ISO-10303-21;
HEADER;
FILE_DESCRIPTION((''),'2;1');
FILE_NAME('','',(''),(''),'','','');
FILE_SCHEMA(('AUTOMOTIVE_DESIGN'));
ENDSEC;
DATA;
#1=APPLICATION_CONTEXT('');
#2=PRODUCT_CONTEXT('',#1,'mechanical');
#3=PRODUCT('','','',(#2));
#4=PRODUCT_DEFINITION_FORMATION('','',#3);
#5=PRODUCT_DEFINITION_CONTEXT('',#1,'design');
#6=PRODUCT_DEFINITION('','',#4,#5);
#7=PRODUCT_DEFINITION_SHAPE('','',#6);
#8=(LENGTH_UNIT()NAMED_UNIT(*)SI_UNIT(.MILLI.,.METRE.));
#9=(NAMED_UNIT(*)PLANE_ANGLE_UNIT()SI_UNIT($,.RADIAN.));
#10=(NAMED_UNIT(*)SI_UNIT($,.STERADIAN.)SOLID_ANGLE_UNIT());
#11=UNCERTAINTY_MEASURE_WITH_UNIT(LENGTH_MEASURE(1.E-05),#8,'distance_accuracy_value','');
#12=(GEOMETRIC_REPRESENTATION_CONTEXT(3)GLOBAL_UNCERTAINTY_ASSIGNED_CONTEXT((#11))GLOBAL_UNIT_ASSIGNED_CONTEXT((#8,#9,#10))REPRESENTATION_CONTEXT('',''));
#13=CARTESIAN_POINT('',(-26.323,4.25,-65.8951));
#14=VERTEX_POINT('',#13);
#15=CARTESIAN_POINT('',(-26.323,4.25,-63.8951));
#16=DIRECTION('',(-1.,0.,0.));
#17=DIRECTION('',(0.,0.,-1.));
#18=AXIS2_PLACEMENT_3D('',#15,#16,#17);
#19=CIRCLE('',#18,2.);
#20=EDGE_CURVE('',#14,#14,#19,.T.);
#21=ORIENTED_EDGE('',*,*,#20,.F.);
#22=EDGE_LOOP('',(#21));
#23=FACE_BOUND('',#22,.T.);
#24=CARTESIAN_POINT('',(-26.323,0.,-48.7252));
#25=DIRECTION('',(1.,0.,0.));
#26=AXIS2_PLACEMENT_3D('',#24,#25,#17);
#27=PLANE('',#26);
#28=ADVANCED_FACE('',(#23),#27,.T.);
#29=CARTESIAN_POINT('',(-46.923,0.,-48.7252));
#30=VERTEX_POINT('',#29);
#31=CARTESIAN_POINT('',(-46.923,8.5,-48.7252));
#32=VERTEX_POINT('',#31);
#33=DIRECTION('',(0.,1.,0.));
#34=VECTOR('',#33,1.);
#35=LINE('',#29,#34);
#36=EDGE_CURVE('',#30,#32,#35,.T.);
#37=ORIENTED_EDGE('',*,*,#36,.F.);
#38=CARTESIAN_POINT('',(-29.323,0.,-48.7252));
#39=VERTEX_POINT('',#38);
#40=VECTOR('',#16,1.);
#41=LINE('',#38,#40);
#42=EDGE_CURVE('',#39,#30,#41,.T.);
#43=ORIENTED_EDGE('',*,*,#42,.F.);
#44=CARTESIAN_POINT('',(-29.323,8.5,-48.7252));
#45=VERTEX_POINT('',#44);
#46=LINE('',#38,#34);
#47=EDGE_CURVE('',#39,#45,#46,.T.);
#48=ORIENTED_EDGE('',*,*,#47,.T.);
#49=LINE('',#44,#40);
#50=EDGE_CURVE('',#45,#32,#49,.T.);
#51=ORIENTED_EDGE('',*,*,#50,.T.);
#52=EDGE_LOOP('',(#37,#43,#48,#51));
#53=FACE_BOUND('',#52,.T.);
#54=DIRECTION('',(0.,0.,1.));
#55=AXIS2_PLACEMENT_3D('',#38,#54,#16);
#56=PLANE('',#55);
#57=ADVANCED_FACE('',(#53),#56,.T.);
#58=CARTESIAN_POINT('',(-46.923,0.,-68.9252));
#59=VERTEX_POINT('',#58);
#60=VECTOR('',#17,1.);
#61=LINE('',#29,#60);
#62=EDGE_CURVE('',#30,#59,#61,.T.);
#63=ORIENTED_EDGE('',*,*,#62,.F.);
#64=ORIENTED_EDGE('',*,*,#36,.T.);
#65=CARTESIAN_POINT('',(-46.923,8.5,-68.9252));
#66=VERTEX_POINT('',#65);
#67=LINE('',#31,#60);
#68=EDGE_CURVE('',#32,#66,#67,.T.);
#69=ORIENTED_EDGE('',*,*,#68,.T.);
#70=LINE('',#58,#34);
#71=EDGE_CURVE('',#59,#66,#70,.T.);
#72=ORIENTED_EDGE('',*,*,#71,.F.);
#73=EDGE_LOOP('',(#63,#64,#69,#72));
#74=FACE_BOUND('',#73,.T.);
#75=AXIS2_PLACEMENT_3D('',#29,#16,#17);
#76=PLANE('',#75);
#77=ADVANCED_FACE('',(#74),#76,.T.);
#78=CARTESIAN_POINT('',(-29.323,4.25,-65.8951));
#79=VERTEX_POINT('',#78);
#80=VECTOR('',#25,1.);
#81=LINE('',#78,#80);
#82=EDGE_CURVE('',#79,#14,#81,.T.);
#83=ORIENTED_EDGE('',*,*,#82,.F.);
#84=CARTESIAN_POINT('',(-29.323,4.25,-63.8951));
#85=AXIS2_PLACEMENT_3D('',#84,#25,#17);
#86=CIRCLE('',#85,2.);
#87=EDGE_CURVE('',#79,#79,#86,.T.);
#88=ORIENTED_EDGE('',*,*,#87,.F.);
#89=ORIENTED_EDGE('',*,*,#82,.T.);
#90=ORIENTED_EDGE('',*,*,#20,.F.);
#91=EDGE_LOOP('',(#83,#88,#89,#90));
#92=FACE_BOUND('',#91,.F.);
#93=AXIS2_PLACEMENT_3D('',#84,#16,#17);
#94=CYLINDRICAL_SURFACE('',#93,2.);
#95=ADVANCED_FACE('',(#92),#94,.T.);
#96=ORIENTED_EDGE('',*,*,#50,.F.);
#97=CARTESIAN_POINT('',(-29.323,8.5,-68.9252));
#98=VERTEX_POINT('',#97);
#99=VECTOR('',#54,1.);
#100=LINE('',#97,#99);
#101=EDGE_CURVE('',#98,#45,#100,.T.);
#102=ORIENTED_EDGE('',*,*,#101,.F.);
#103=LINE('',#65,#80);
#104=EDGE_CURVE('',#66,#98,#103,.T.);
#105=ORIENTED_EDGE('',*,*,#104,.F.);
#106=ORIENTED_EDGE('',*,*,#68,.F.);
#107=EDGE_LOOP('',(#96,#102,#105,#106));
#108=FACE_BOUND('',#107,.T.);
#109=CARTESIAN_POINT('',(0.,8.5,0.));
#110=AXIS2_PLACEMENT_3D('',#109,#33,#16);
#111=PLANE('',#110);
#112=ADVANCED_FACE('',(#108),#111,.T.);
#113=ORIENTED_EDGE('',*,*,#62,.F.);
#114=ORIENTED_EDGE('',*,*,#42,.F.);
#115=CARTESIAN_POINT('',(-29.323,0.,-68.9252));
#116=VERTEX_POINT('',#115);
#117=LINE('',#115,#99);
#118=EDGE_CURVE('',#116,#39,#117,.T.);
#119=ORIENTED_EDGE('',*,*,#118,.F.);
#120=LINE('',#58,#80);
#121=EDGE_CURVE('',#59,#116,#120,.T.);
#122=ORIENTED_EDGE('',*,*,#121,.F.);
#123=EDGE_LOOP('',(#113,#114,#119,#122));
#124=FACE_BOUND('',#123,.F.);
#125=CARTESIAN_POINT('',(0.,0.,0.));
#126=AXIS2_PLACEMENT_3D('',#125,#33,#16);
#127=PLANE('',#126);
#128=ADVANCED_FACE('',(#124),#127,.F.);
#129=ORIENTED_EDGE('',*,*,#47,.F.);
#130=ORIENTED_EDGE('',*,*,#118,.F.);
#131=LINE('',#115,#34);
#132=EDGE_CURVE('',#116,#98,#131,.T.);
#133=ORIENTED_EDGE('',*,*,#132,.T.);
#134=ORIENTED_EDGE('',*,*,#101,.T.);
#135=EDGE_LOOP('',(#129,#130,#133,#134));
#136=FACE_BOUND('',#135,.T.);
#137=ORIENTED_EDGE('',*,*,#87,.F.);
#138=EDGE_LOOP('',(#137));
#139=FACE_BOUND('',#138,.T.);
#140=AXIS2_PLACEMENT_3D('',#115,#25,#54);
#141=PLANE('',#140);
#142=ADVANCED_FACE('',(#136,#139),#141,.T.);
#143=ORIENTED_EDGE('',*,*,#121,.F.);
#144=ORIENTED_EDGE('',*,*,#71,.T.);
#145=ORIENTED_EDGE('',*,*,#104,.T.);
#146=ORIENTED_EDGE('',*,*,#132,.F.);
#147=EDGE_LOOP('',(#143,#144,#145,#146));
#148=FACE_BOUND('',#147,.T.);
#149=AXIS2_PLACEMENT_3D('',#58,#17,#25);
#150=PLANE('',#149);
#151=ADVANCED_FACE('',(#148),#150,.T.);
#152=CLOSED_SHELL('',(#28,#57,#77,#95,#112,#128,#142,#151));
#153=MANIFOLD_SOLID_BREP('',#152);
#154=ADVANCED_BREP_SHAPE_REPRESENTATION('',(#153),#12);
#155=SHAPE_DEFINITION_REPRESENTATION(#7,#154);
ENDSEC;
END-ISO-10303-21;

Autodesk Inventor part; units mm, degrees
ref_plane "YZ Plane" through (0, 0, 0) normal (1, 0, 0) x (0, 1, 0)
ref_plane "XZ Plane" through (0, 0, 0) normal (0, 1, 0) x (-1, 0, 0)
ref_plane "XY Plane" through (0, 0, 0) normal (0, 0, 1) x (1, 0, 0)
sketch "Sketch1" plane through (0, 0, 0) normal (0, 1, 0) x (-1, 0, 0)
  line L0 (46.923, -68.9252) -> (29.323, -68.9252)
  line L1 (29.323, -68.9252) -> (29.323, -48.7252)
  line L2 (29.323, -48.7252) -> (46.923, -48.7252)
  line L3 (46.923, -48.7252) -> (46.923, -68.9252)
  point P0 (0, 0)
  dimension "d0" = 17.6
  dimension "d1" = 20.2
extrude "Extrusion1" add sketch "Sketch1" along normal blind 8.5
sketch "Sketch2" plane through (-29.323, 0, -48.7252) normal (1, 0, 0) x (0, 0, -1)
  line L0 (0, 0) -> (20.2, 0) projected
  line L1 (20.2, 0) -> (20.2, 8.5) projected
  line L2 (0, 8.5) -> (20.2, 8.5) projected
  line L3 (0, 0) -> (0, 8.5) projected
  line L4 (20.2, 0) -> (20.2, 8.5) projected
  line L5 (20.2, 4.25) -> (0, 4.25)
  line L6 (0, 0) -> (0, 8.5) projected
  circle A0 centre (15.1699, 4.25) radius 2
  point P0 (-48.7252, 0)
  dimension "d4" = 4
extrude "Extrusion2" add sketch "Sketch2" along normal blind 3 contours A0 L5 | L5 A0
properties part number "servo_cos"
